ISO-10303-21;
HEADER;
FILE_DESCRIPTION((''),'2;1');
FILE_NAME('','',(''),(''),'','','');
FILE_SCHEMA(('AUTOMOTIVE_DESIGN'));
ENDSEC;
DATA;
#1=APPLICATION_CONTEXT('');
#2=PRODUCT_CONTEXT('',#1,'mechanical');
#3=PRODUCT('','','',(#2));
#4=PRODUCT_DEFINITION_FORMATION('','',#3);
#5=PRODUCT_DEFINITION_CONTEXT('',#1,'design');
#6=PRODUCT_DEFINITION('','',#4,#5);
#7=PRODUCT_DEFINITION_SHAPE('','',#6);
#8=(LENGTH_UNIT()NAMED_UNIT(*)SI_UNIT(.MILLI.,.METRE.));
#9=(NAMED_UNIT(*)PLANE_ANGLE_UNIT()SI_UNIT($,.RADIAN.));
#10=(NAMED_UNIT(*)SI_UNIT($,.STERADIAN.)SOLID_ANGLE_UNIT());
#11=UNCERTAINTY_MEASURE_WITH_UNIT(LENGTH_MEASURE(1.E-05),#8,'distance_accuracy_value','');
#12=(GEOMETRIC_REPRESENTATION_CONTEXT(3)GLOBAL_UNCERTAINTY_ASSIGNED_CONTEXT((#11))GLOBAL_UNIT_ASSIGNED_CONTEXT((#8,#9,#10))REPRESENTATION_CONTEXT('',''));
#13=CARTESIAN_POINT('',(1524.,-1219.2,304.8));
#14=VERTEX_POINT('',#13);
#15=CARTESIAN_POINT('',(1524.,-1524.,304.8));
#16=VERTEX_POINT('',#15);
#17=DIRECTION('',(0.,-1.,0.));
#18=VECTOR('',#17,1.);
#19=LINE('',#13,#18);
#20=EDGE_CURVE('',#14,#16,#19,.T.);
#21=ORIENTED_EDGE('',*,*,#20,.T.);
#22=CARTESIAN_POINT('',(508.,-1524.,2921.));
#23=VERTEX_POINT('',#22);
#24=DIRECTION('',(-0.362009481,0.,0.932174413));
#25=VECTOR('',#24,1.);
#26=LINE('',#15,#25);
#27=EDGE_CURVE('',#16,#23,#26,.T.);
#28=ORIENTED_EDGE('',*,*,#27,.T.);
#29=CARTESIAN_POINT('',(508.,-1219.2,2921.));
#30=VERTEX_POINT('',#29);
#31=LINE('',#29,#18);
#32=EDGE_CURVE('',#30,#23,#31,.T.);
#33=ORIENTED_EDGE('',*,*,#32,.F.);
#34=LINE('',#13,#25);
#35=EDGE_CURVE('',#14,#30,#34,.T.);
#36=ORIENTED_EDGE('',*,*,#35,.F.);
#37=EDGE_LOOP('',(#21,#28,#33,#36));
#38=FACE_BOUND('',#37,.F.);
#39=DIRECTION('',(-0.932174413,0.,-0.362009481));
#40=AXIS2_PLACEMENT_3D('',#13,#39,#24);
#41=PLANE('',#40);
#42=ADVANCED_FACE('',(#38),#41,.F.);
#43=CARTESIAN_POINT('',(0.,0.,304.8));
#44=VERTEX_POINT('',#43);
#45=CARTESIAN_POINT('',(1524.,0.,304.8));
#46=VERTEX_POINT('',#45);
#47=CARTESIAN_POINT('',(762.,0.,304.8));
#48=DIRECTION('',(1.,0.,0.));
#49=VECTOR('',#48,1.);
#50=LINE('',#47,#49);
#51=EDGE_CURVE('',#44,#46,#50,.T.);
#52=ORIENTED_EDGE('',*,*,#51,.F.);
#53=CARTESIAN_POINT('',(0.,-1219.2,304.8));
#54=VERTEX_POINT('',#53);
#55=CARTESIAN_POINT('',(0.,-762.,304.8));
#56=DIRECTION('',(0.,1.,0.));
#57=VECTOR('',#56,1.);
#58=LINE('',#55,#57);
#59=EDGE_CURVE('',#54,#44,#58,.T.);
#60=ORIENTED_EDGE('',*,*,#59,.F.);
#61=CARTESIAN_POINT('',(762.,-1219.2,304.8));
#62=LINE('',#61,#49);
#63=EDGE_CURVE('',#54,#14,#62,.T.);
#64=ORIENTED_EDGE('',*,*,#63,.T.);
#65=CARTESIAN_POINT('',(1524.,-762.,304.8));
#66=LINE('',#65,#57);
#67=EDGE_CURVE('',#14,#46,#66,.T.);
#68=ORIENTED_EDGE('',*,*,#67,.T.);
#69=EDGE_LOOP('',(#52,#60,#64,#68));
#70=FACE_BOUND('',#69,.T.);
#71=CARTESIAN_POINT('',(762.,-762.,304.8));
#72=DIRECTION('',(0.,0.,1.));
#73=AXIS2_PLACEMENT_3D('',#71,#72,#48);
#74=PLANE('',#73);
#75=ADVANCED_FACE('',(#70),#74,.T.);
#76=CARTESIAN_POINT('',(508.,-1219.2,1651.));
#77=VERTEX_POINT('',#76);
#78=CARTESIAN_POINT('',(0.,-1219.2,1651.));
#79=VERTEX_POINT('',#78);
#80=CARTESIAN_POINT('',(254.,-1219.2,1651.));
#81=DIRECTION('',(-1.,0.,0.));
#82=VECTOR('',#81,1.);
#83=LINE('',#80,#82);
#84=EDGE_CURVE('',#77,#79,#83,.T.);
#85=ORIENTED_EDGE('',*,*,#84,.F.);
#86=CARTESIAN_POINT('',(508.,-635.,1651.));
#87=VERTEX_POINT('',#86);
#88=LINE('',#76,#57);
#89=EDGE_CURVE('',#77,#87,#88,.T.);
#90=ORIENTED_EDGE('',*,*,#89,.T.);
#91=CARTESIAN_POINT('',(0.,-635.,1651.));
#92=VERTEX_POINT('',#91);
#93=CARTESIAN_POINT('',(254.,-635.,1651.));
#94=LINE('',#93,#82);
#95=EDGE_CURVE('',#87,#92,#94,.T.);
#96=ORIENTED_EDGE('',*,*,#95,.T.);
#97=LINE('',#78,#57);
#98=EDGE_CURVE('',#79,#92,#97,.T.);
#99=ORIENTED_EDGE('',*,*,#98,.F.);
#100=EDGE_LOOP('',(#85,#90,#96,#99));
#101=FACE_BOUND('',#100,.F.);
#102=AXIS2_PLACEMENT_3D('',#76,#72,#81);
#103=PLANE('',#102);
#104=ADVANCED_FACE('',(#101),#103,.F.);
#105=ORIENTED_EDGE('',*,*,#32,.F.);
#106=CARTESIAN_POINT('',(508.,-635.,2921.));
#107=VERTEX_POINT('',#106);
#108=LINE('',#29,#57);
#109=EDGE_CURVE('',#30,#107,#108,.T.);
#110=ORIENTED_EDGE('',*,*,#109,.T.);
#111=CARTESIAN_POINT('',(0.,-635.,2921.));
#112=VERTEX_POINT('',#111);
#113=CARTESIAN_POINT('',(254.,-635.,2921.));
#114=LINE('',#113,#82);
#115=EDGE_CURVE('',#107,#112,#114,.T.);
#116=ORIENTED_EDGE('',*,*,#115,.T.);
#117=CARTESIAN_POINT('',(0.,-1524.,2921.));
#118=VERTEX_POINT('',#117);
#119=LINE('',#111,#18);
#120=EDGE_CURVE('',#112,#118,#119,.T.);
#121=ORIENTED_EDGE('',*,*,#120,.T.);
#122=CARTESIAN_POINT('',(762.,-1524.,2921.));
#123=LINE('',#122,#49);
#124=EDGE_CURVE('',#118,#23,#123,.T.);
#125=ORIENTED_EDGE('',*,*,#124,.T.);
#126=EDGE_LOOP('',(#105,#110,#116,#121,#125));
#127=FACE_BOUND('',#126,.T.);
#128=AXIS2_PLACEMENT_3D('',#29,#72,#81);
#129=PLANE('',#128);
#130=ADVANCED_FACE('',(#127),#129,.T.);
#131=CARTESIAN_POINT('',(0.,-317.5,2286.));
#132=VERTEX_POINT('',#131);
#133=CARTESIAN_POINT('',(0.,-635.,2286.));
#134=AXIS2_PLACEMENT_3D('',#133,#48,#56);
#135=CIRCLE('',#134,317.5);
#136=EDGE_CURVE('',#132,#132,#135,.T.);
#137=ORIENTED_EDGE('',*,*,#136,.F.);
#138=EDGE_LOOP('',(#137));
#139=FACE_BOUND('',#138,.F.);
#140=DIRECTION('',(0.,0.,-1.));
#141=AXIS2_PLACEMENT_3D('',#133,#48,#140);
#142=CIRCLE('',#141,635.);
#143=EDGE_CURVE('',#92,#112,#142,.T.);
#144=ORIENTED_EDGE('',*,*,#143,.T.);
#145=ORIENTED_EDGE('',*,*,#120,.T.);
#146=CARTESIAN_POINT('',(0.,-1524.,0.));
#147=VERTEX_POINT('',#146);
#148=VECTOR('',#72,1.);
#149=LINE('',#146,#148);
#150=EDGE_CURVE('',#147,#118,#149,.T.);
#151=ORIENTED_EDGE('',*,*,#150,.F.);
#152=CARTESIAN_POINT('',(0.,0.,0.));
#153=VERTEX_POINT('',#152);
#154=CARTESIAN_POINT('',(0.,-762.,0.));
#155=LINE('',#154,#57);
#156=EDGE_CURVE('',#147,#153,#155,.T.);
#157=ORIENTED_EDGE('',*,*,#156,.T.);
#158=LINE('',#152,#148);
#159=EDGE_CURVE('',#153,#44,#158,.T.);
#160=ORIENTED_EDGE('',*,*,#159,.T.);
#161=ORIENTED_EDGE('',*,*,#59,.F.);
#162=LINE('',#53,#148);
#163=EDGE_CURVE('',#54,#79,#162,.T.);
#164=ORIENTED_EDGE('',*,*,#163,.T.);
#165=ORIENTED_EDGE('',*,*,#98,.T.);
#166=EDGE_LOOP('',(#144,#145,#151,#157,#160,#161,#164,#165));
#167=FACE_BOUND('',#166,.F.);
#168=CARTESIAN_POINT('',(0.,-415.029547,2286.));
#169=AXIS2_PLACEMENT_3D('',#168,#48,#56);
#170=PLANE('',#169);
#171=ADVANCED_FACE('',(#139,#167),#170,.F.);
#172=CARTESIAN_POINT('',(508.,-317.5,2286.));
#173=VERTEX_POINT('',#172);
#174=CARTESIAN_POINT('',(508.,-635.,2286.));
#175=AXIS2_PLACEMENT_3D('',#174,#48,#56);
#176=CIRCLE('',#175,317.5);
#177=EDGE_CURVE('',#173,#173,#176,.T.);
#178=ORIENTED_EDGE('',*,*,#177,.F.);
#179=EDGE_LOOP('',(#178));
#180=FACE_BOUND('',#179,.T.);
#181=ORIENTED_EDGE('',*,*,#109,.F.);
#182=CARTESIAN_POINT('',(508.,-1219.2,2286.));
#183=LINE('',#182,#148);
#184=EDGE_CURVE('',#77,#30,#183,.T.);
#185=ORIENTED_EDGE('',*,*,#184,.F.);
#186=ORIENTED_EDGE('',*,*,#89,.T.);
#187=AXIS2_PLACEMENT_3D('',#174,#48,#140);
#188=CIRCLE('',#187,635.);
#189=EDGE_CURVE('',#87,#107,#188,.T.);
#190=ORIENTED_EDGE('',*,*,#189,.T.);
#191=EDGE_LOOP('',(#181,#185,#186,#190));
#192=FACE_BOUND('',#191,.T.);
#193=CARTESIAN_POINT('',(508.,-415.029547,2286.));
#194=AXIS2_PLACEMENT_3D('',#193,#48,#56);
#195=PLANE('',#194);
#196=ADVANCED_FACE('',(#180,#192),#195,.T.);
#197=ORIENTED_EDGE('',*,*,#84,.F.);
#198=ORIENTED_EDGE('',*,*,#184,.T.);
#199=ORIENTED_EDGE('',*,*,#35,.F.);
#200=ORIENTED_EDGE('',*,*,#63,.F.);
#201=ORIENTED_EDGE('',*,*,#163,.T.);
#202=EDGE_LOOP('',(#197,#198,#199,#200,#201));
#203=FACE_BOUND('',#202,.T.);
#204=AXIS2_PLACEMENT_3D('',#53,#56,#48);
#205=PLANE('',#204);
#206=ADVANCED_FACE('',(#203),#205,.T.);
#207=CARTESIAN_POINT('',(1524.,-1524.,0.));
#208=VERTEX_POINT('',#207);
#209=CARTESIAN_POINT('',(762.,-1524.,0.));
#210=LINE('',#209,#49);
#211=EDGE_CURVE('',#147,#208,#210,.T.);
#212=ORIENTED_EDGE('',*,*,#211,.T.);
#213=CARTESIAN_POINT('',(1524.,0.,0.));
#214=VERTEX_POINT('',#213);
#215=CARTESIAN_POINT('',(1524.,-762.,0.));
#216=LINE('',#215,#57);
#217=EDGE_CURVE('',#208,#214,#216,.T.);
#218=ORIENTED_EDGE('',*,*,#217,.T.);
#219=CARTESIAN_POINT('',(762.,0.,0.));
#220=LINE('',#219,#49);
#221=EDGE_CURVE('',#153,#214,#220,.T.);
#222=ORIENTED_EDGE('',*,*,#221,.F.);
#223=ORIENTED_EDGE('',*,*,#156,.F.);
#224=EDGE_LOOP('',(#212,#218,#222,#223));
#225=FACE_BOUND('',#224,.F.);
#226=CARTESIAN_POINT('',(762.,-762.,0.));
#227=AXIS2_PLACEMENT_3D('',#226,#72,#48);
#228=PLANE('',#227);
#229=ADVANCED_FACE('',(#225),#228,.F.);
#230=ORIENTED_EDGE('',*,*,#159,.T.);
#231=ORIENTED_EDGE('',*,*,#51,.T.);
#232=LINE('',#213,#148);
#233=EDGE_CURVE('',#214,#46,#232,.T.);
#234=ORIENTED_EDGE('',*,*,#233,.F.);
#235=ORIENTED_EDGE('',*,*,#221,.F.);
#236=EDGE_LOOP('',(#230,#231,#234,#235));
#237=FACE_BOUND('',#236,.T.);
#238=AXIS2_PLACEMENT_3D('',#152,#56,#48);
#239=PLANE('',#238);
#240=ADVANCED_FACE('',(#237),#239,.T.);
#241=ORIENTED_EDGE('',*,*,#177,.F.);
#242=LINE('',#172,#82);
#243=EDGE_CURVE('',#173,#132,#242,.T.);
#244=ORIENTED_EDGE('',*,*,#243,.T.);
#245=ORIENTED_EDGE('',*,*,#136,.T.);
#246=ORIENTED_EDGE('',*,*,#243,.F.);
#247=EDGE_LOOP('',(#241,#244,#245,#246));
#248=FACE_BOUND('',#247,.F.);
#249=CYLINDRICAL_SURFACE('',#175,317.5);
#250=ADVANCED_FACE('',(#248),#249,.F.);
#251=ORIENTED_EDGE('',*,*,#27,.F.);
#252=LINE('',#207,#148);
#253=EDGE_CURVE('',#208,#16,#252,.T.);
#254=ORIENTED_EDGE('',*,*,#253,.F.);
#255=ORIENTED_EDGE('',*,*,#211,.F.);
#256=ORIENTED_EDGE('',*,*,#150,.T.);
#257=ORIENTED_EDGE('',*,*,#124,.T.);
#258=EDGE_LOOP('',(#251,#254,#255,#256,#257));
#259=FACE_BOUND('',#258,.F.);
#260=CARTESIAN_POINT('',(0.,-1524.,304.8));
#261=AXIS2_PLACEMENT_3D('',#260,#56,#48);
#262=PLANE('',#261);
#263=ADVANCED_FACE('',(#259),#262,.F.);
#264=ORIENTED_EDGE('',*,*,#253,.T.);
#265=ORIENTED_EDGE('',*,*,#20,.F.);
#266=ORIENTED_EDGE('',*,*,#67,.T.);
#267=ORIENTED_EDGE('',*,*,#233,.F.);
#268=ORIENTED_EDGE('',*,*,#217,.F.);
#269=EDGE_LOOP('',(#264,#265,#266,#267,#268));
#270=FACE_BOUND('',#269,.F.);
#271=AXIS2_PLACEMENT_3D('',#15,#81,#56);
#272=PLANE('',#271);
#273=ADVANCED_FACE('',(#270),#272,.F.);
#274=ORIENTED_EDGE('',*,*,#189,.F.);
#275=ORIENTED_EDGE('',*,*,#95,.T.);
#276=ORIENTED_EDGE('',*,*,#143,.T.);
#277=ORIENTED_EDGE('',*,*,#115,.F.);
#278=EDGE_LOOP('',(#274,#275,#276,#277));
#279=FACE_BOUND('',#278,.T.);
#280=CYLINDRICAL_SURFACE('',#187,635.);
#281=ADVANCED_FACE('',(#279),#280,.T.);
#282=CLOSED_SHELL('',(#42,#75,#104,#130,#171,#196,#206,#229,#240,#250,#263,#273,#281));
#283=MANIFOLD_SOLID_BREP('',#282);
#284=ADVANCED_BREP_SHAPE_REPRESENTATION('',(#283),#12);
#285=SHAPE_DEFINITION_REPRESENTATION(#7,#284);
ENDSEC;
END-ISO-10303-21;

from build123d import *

# Parameters (mm, degrees)
F0_W      = 1524
F0_H      = 1524
F1_DEPTH  = 304.8
F2_W      = 1524
F2_H      = 304.8
F3_DEPTH  = 2616.2
F4_W      = 508
F4_H      = 1270
F5_DEPTH  = 584.2
F7_DEPTH  = 508
F8_R      = 317.5
F9_DEPTH  = 508
F11_DEPTH = 304.8


with BuildPart() as f1:
    # F0 (on Top) → F1 (new body)
    with BuildSketch(Plane.XY):
        with Locations((762, -762)):
            Rectangle(F0_W, F0_H)
    extrude(amount=F1_DEPTH)

    # F2 (on face) → F3 (join)
    with BuildSketch(Plane.XY.offset(304.8)):
        with Locations((762, -1371.6)):
            Rectangle(F2_W, F2_H)
    extrude(amount=F3_DEPTH)

    # F4 (on face) → F5 (join)
    with BuildSketch(Plane(origin=(0, -1219.2, 0), x_dir=(-1, 0, 0), z_dir=(0, 1, 0))):
        with Locations((-254, 2286)):
            Rectangle(F4_W, F4_H)
    extrude(amount=F5_DEPTH)

    # F6 (on face) → F7 (join)
    with BuildSketch(Plane.YZ.offset(508)):
        with BuildLine():
            ThreePointArc((-635, 1651), (-185.9871939465, 1836.9871939465), (0, 2286))
            ThreePointArc((0, 2286), (-185.9871939465, 2735.0128060535), (-635, 2921))
            Line((-635, 2921), (-635, 1651))
        make_face()
    extrude(amount=-F7_DEPTH)

    # F8 (on face) → F9 (cut)
    with BuildSketch(Plane.YZ.offset(508)):
        with Locations((-635, 2286)):
            Circle(F8_R)
    extrude(amount=-F9_DEPTH, mode=Mode.SUBTRACT)

    # F10 (on face) → F11 (cut)
    with BuildSketch(Plane(origin=(0, -1219.2, 0), x_dir=(-1, 0, 0), z_dir=(0, 1, 0))):
        Polygon((-1524, 304.8), (-508, 2921), (-1524, 2921), align=None)
    extrude(amount=-F11_DEPTH, mode=Mode.SUBTRACT)


solid = f1.part
